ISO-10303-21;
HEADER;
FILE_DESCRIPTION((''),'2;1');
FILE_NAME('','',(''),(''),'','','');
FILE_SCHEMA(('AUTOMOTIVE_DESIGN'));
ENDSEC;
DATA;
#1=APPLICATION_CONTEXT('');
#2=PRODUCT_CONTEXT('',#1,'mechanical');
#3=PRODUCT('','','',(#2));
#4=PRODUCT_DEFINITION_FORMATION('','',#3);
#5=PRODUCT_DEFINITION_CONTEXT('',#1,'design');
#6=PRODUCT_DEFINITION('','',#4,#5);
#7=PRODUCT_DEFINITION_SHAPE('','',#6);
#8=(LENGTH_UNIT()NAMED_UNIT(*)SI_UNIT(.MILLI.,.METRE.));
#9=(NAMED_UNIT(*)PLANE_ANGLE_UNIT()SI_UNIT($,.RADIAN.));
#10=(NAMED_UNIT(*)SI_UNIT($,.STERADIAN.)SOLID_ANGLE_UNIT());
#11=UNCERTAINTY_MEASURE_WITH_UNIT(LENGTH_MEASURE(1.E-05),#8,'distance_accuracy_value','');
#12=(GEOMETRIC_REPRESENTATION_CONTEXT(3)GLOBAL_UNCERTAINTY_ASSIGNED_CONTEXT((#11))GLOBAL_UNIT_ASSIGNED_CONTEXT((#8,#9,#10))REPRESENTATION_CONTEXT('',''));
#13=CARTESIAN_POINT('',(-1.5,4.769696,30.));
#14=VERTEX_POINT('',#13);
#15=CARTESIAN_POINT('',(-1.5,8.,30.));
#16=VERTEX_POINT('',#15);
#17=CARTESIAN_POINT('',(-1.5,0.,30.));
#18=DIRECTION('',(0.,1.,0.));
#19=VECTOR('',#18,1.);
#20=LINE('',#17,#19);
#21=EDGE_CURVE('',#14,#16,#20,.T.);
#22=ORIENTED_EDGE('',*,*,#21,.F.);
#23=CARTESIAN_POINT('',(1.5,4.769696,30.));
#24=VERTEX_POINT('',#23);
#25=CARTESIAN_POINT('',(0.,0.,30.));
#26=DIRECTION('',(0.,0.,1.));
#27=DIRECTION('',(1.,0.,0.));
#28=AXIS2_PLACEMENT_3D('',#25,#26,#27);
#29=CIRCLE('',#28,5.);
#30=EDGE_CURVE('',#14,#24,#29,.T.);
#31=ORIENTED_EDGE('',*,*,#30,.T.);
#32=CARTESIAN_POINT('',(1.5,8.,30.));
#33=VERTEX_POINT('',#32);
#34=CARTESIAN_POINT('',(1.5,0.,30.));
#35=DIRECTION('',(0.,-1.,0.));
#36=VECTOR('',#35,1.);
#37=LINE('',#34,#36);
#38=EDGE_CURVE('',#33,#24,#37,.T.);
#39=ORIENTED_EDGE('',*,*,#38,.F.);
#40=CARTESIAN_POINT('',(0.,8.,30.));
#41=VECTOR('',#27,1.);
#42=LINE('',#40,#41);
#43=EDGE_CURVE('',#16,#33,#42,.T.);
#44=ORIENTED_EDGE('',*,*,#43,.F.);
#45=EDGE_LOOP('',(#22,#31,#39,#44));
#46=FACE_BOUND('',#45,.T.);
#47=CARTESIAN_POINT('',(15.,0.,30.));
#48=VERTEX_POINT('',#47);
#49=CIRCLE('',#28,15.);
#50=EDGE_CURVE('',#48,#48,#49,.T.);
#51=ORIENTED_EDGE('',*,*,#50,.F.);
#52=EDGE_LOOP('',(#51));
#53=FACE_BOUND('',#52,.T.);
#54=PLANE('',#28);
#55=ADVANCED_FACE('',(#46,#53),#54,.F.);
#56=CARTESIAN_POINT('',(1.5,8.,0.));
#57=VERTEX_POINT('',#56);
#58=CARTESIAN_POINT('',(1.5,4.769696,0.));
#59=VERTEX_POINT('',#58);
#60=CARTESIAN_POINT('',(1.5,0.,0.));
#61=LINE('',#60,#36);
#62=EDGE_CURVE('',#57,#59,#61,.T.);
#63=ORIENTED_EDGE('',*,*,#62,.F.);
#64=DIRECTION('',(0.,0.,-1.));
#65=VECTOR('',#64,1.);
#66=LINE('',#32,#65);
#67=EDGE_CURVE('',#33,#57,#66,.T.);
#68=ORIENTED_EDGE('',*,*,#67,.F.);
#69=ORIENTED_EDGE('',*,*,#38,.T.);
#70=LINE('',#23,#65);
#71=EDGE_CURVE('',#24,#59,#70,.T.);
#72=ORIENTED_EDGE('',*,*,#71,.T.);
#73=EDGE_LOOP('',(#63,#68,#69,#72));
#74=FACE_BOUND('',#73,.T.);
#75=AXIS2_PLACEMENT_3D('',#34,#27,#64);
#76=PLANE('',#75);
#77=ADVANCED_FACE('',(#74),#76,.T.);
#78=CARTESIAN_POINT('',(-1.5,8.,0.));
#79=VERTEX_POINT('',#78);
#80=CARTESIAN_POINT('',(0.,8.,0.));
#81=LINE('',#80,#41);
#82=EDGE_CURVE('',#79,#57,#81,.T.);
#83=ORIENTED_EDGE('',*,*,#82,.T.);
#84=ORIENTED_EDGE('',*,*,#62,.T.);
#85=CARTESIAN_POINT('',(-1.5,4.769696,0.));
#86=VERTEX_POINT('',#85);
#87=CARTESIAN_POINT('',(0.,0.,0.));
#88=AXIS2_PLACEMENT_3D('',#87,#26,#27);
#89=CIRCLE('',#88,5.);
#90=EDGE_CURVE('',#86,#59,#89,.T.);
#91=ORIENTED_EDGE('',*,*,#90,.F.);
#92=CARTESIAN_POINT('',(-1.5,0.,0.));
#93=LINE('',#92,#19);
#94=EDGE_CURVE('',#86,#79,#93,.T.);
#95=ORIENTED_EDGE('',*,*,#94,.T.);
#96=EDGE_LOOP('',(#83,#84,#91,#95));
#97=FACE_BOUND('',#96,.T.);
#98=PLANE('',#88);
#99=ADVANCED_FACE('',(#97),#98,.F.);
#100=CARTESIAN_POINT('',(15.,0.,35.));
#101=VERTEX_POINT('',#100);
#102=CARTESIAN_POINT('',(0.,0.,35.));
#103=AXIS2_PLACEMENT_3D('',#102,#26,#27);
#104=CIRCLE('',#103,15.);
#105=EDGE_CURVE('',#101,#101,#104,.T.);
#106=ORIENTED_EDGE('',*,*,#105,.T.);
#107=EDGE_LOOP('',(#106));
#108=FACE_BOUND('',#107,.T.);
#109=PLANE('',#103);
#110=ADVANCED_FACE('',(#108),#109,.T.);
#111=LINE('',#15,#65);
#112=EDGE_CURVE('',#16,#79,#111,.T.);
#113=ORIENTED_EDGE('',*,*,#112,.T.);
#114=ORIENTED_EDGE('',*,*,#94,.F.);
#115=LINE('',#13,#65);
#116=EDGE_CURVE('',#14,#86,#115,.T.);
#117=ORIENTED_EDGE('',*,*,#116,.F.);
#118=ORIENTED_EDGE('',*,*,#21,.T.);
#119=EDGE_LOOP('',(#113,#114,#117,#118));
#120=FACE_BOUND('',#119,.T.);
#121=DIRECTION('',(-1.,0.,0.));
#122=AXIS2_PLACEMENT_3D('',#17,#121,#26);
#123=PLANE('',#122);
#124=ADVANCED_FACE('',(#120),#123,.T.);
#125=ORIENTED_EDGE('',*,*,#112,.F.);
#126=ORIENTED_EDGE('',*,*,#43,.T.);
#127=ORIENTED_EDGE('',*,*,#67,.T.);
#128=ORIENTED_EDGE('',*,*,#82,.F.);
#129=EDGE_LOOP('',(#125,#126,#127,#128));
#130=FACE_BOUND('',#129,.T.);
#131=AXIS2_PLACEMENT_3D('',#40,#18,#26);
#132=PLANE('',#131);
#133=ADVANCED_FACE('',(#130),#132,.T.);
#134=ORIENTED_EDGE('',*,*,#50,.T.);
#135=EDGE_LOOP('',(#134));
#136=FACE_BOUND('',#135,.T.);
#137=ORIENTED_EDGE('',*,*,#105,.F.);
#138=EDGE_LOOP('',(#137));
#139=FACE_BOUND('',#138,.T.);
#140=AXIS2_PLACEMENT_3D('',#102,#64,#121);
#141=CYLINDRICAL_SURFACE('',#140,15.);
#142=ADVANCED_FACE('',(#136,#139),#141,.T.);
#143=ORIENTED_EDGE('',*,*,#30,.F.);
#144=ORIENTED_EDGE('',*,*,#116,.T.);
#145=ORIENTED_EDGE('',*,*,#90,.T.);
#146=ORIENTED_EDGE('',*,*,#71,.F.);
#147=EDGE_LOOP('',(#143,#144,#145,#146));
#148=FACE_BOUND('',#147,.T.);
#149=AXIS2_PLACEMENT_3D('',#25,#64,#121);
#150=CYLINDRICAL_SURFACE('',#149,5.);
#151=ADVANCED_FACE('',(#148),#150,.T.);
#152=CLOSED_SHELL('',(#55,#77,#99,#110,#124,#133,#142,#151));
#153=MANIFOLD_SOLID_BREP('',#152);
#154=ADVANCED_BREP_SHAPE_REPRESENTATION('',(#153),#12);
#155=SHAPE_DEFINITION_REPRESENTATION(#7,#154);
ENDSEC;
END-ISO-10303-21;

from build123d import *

# Parameters (mm, degrees)
EXTRUDE_1_DEPTH = 30
SKETCH_2_R      = 15
EXTRUDE_2_DEPTH = 5


with BuildPart() as part:
    # 草图1 → 凸台-拉伸1 (new body)
    with BuildSketch(Plane.XY):
        with BuildLine():
            Line((-1.5, 8), (-1.5, 4.769696007))
            ThreePointArc((-1.5, 4.769696007), (0, 5), (1.5, 4.769696007))
            Line((1.5, 4.769696007), (1.5, 8))
            Line((1.5, 8), (-1.5, 8))
        make_face()
        with BuildLine():
            Line((1.5, 0), (0, 0))
            Line((0, 0), (-1.5, 0))
            Line((-1.5, 0), (-1.5, 4.769696007))
            ThreePointArc((-1.5, 4.769696007), (-2.958039892, -4.031128874), (5, 0))
            ThreePointArc((5, 0), (4.031128874, 2.958039892), (1.5, 4.769696007))
            Line((1.5, 4.769696007), (1.5, 0))
        make_face()
        with BuildLine():
            Line((-1.5, 0), (0, 0))
            Line((0, 0), (1.5, 0))
            Line((1.5, 0), (1.5, 4.769696007))
            ThreePointArc((1.5, 4.769696007), (0, 5), (-1.5, 4.769696007))
            Line((-1.5, 4.769696007), (-1.5, 0))
        make_face()
    extrude(amount=EXTRUDE_1_DEPTH)

    # 草图2 → 凸台-拉伸2 (add)
    with BuildSketch(Plane.XY.offset(30)):
        Circle(SKETCH_2_R)
    extrude(amount=EXTRUDE_2_DEPTH)


solid = part.part
